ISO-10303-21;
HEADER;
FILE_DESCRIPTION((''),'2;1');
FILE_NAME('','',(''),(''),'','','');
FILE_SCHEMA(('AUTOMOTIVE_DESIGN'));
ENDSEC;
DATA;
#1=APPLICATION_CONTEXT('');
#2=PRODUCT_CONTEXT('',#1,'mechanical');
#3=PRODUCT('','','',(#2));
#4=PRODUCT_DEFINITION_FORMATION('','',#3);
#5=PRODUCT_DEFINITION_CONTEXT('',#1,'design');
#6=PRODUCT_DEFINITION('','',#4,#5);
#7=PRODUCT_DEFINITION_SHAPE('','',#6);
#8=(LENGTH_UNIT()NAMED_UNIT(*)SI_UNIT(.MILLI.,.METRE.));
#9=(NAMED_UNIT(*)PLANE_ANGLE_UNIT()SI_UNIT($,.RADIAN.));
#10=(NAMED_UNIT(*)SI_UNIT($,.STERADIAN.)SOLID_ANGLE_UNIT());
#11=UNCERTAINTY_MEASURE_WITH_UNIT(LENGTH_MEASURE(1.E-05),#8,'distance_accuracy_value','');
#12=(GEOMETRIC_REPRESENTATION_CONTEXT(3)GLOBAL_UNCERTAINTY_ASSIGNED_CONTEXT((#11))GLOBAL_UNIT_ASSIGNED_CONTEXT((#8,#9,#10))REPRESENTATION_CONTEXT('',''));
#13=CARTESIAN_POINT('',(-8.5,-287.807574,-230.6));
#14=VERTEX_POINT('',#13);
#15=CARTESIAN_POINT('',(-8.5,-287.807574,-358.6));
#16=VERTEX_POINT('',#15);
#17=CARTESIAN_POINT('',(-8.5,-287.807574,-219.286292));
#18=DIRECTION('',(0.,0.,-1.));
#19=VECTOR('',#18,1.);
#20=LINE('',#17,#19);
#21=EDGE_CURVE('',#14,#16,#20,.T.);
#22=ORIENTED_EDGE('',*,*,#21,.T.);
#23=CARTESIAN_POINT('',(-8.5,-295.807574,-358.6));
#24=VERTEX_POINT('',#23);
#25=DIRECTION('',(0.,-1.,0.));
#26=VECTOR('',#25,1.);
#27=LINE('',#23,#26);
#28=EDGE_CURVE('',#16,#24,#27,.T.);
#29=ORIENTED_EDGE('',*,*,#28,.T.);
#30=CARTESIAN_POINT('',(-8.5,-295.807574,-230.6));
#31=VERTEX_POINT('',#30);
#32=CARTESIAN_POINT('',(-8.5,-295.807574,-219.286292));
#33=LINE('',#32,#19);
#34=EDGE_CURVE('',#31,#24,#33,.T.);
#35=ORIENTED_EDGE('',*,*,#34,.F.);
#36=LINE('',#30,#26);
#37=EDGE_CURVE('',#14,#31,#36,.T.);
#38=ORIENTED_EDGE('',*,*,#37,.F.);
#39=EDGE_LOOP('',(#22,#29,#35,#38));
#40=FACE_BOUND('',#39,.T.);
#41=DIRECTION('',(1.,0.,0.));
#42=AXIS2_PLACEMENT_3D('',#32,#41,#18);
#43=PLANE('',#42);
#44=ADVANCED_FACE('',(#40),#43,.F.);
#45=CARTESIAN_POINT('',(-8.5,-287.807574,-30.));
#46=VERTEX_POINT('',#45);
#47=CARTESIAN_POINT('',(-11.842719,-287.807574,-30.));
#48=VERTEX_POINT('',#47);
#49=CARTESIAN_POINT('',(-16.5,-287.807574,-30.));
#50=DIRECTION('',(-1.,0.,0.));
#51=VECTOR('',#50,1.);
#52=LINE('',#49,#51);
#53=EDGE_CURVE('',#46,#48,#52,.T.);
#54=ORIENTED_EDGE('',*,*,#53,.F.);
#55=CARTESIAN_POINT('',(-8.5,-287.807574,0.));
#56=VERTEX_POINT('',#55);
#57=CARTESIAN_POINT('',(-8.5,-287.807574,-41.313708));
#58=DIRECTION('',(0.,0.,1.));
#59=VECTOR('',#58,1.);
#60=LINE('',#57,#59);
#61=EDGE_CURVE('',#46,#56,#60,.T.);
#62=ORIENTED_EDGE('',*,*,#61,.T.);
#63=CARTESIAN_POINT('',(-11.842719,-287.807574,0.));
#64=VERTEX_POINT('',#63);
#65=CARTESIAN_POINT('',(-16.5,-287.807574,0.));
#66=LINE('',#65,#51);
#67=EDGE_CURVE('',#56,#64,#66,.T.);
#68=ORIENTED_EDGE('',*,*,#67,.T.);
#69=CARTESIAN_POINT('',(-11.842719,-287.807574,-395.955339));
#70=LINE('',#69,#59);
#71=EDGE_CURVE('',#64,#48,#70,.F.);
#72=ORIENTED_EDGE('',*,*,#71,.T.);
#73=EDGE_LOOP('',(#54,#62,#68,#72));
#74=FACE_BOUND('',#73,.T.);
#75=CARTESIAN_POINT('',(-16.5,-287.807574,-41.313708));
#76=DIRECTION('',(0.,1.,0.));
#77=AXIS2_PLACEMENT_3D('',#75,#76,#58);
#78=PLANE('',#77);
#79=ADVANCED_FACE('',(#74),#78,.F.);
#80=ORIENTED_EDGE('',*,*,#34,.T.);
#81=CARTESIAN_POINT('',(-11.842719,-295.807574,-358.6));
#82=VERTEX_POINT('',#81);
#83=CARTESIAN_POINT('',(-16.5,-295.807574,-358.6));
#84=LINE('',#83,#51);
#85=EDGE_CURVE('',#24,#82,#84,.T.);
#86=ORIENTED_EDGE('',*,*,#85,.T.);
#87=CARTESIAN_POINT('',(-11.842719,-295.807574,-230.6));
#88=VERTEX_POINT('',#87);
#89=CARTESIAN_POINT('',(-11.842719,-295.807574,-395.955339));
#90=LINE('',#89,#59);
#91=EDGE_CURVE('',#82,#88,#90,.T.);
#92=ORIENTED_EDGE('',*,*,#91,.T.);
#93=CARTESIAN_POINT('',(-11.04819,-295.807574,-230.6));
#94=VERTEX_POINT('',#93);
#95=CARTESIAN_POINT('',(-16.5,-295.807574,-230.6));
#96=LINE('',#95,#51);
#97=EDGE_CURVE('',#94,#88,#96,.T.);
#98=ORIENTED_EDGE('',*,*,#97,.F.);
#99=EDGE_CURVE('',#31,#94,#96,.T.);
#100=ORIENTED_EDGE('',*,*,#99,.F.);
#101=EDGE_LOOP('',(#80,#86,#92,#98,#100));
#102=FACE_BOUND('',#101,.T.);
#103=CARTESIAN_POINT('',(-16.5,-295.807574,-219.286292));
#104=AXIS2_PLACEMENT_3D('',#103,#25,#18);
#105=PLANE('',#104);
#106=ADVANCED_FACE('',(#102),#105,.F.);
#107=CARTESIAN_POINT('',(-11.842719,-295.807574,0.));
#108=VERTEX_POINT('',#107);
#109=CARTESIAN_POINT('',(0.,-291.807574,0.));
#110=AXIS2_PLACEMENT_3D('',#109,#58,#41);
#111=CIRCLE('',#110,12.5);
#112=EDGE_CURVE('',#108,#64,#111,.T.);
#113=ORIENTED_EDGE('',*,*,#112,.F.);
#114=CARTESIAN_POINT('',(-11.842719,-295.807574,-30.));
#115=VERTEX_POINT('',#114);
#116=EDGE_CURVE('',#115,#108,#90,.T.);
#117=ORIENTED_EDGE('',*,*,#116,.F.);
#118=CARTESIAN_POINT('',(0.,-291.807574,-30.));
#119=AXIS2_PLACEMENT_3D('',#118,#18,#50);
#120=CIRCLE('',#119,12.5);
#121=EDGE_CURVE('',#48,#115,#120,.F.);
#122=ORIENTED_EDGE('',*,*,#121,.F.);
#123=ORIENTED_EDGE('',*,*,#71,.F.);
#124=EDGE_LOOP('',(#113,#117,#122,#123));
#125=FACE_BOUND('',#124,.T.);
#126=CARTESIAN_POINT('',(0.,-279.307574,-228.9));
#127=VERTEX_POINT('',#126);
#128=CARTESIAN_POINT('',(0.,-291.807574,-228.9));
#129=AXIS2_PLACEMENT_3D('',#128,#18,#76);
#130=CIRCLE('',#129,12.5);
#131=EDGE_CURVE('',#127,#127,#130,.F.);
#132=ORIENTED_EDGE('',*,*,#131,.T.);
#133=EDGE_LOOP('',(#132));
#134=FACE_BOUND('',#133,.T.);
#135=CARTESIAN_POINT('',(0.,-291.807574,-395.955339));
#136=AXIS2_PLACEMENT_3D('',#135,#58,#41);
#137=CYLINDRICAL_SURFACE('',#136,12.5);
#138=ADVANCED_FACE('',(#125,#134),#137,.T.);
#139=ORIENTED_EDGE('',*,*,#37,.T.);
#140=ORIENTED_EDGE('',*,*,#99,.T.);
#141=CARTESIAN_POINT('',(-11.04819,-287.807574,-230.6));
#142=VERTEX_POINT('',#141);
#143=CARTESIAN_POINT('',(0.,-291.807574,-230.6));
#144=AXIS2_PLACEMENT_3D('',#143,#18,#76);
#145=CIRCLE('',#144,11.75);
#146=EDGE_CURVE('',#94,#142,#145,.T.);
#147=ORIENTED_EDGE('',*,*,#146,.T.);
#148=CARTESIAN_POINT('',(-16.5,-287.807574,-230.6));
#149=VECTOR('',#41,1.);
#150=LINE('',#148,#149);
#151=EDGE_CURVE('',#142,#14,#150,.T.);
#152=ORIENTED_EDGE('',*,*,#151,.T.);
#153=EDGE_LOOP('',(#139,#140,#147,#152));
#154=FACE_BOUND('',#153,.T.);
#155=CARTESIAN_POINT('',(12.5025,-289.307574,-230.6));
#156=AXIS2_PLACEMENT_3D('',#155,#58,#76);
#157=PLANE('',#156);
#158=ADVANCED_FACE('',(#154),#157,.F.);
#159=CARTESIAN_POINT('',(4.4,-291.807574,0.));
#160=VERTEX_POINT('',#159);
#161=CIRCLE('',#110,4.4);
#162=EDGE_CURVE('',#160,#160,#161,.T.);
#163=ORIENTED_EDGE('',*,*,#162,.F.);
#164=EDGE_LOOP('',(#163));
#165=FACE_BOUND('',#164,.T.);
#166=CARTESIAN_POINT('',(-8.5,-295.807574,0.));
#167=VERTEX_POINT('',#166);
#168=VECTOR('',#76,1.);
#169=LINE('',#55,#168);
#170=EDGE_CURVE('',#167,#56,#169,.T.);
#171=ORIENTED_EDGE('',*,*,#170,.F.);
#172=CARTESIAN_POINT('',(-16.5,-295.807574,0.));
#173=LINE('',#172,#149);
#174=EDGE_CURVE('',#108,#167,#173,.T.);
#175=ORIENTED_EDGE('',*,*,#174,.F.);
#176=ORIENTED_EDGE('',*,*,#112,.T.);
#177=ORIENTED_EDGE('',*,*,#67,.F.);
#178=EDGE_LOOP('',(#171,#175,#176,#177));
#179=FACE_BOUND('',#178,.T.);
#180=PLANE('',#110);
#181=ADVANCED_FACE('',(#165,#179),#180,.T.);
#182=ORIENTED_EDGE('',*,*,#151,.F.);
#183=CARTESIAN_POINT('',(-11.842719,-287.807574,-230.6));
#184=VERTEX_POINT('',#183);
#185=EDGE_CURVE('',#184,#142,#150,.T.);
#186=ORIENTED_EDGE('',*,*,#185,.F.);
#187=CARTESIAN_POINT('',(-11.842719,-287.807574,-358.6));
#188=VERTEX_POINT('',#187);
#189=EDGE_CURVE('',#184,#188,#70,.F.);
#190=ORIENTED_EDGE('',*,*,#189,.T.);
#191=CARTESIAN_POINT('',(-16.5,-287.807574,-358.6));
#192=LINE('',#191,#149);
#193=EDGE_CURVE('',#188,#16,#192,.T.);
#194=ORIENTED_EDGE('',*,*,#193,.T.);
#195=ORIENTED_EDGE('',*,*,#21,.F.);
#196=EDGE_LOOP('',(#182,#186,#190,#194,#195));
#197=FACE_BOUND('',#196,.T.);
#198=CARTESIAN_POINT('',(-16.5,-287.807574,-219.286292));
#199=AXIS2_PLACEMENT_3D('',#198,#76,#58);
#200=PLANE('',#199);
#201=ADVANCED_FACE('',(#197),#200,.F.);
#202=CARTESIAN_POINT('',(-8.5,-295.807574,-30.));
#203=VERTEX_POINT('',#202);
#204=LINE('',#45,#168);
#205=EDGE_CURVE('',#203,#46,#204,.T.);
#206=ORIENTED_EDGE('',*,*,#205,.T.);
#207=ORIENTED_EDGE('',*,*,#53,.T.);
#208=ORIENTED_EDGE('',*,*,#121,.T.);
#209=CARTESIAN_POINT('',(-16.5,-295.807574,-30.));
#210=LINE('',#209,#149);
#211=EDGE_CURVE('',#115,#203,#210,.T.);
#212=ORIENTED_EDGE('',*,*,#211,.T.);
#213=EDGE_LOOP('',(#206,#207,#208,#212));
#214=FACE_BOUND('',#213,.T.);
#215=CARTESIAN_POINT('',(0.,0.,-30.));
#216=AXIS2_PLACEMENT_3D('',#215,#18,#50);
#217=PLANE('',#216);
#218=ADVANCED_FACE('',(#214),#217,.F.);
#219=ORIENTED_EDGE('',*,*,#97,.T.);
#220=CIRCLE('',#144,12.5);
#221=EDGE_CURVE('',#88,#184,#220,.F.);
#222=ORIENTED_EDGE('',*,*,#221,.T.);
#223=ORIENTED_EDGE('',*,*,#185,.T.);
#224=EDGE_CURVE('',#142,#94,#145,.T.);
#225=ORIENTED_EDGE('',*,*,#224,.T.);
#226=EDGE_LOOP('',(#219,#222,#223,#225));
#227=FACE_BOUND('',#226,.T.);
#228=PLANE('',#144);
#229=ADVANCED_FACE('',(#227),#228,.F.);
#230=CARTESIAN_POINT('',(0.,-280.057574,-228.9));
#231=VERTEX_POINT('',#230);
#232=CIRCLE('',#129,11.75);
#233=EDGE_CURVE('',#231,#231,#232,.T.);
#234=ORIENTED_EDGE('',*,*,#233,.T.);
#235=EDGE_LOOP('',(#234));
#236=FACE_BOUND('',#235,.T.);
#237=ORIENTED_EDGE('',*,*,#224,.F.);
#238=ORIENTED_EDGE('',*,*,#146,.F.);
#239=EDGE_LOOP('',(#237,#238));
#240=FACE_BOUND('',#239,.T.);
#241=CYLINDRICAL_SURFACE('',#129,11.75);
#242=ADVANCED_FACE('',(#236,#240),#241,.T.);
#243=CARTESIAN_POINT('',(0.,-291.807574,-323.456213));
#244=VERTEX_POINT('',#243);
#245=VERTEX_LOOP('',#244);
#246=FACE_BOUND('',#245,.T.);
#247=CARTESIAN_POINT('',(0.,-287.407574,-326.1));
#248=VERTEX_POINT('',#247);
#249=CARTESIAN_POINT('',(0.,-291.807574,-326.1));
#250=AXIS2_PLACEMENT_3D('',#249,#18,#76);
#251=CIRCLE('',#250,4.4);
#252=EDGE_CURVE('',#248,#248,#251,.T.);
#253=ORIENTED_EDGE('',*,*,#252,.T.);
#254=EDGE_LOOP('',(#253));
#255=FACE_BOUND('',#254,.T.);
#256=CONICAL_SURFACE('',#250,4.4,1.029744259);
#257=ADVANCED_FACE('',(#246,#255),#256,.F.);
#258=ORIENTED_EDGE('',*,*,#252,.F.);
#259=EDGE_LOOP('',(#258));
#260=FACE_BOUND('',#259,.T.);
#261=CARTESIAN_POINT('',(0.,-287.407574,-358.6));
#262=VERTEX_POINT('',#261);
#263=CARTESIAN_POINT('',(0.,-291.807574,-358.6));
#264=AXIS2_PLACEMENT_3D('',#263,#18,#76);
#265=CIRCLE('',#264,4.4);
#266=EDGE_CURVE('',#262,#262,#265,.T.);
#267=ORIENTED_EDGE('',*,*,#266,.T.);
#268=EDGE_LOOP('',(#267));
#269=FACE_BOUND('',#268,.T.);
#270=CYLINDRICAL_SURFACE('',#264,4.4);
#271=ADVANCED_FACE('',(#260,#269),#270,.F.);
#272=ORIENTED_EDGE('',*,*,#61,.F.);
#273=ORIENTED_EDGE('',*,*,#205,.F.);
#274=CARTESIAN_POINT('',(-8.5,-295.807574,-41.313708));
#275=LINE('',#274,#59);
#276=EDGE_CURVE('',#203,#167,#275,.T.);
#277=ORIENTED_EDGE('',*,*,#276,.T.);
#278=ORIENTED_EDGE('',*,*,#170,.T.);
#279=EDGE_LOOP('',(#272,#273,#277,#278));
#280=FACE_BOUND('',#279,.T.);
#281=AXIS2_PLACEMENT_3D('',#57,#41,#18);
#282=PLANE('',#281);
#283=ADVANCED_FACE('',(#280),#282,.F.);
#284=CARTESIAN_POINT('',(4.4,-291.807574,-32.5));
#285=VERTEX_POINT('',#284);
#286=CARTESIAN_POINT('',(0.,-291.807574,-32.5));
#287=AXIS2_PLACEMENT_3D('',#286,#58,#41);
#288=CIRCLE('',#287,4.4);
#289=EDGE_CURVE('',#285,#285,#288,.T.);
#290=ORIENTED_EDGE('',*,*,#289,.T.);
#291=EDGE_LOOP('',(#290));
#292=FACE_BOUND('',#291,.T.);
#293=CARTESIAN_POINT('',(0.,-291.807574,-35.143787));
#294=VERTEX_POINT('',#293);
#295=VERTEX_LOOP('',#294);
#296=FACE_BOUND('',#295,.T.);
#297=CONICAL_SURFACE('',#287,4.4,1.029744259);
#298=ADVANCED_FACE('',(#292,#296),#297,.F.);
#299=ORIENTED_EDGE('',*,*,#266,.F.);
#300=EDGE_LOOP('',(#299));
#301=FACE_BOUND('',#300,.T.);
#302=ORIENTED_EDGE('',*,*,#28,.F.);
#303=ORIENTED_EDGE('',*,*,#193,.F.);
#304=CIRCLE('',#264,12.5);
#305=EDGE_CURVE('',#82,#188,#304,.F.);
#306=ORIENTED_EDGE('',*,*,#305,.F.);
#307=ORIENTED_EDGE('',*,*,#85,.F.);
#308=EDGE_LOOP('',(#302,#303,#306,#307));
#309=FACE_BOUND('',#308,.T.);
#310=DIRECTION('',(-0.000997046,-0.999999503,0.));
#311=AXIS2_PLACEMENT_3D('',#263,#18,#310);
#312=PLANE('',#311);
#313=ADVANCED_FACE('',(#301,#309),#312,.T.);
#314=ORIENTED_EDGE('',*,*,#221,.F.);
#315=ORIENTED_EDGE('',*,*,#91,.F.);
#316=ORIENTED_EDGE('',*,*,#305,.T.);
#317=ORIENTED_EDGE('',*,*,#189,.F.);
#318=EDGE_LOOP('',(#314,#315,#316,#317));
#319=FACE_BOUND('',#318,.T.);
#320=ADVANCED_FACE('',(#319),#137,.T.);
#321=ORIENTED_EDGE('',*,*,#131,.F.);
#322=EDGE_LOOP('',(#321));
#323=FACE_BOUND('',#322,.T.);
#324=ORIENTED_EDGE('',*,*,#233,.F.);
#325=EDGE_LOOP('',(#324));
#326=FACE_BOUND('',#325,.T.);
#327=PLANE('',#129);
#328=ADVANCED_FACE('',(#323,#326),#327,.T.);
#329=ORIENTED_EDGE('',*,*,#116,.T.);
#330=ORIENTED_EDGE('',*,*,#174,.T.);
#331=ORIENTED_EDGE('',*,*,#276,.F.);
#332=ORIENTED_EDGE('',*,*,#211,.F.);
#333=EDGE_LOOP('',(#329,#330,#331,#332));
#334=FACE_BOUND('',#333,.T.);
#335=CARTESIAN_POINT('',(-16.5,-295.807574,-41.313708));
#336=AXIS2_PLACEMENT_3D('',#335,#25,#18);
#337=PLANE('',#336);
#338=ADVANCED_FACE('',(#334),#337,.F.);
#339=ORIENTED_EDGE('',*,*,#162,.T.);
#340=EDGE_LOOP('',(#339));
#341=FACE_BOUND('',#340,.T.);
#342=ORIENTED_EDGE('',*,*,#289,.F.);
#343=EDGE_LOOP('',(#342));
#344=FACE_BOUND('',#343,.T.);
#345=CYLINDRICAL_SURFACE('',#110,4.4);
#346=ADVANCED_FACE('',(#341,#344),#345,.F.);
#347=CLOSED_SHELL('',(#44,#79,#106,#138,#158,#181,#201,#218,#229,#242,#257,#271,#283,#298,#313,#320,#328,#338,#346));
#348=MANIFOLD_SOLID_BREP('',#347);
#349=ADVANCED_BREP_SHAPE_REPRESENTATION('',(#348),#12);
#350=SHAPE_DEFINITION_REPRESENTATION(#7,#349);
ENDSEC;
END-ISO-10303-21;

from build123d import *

# Parameters (mm, degrees)
SKETCH_1_R          = 12.5
EXTRUDE_1_DEPTH     = 358.6
CUT_EXTRUDE_START   = -30
SKETCH_2_W          = 8
SKETCH_2_H          = 8
CUT_EXTRUDE_1_DEPTH = 30
SKETCH_3_R          = 26
SKETCH_3_R_2        = 11.75
CUT_EXTRUDE_2_DEPTH = 1.7
CUT_EXTRUDE_START_2 = -128
SKETCH_4_W          = 8
SKETCH_4_H          = 8
CUT_EXTRUDE_3_DEPTH = 128
M10X1_252_D         = 8.8
M10X1_252_DEPTH     = 32.5
M10X1_252_TIP       = 2.643786724
M10X1_253_D         = 8.8
M10X1_253_DEPTH     = 32.5
M10X1_253_TIP       = 2.643786724


with BuildPart() as part:
    # Эскиз1 → Бобышка-Вытянуть1 (new body)
    with BuildSketch(Plane.XY):
        with Locations((0, -291.807573628)):
            Circle(SKETCH_1_R)
    extrude(amount=-EXTRUDE_1_DEPTH)

    # Эскиз2 → Вырез-Вытянуть1 (cut)
    with BuildSketch(Plane.XY.offset(CUT_EXTRUDE_START)):
        with Locations((-12.5, -291.807573628)):
            Rectangle(SKETCH_2_W, SKETCH_2_H)
    extrude(amount=CUT_EXTRUDE_1_DEPTH, mode=Mode.SUBTRACT)

    # Эскиз3 → Вырез-Вытянуть2 (cut)
    with BuildSketch(Plane(origin=(0, 0, -230.6), x_dir=(-1, 0, 0), z_dir=(0, 0, -1))):
        with Locations((0, -291.807573628)):
            Circle(SKETCH_3_R)
        with Locations((0, -291.807573628)):
            Circle(SKETCH_3_R_2, mode=Mode.SUBTRACT)
    extrude(amount=-CUT_EXTRUDE_2_DEPTH, mode=Mode.SUBTRACT)

    # Эскиз4 → Вырез-Вытянуть3 (cut)
    with BuildSketch(Plane(origin=(0, 0, -358.6), x_dir=(-1, 0, 0), z_dir=(0, 0, -1)).offset(CUT_EXTRUDE_START_2)):
        with Locations((12.5, -291.807573628)):
            Rectangle(SKETCH_4_W, SKETCH_4_H)
    extrude(amount=CUT_EXTRUDE_3_DEPTH, mode=Mode.SUBTRACT)

    # Сверление под метчик M10x1.252
    with Locations(Plane.XY):
        with Locations((0, -291.807573628)):
            Hole(M10X1_252_D / 2, depth=M10X1_252_DEPTH)
            with Locations((0, 0, -(M10X1_252_DEPTH + M10X1_252_TIP / 2))):  # 118° drill point
                Cone(0, M10X1_252_D / 2, M10X1_252_TIP, mode=Mode.SUBTRACT)

    # Сверление под метчик M10x1.253
    with Locations(Plane(origin=(0, 0, -358.6), x_dir=(-1, 0, 0), z_dir=(0, 0, -1))):
        with Locations((0, -291.807573628)):
            Hole(M10X1_253_D / 2, depth=M10X1_253_DEPTH)
            with Locations((0, 0, -(M10X1_253_DEPTH + M10X1_253_TIP / 2))):  # 118° drill point
                Cone(0, M10X1_253_D / 2, M10X1_253_TIP, mode=Mode.SUBTRACT)


solid = part.part
